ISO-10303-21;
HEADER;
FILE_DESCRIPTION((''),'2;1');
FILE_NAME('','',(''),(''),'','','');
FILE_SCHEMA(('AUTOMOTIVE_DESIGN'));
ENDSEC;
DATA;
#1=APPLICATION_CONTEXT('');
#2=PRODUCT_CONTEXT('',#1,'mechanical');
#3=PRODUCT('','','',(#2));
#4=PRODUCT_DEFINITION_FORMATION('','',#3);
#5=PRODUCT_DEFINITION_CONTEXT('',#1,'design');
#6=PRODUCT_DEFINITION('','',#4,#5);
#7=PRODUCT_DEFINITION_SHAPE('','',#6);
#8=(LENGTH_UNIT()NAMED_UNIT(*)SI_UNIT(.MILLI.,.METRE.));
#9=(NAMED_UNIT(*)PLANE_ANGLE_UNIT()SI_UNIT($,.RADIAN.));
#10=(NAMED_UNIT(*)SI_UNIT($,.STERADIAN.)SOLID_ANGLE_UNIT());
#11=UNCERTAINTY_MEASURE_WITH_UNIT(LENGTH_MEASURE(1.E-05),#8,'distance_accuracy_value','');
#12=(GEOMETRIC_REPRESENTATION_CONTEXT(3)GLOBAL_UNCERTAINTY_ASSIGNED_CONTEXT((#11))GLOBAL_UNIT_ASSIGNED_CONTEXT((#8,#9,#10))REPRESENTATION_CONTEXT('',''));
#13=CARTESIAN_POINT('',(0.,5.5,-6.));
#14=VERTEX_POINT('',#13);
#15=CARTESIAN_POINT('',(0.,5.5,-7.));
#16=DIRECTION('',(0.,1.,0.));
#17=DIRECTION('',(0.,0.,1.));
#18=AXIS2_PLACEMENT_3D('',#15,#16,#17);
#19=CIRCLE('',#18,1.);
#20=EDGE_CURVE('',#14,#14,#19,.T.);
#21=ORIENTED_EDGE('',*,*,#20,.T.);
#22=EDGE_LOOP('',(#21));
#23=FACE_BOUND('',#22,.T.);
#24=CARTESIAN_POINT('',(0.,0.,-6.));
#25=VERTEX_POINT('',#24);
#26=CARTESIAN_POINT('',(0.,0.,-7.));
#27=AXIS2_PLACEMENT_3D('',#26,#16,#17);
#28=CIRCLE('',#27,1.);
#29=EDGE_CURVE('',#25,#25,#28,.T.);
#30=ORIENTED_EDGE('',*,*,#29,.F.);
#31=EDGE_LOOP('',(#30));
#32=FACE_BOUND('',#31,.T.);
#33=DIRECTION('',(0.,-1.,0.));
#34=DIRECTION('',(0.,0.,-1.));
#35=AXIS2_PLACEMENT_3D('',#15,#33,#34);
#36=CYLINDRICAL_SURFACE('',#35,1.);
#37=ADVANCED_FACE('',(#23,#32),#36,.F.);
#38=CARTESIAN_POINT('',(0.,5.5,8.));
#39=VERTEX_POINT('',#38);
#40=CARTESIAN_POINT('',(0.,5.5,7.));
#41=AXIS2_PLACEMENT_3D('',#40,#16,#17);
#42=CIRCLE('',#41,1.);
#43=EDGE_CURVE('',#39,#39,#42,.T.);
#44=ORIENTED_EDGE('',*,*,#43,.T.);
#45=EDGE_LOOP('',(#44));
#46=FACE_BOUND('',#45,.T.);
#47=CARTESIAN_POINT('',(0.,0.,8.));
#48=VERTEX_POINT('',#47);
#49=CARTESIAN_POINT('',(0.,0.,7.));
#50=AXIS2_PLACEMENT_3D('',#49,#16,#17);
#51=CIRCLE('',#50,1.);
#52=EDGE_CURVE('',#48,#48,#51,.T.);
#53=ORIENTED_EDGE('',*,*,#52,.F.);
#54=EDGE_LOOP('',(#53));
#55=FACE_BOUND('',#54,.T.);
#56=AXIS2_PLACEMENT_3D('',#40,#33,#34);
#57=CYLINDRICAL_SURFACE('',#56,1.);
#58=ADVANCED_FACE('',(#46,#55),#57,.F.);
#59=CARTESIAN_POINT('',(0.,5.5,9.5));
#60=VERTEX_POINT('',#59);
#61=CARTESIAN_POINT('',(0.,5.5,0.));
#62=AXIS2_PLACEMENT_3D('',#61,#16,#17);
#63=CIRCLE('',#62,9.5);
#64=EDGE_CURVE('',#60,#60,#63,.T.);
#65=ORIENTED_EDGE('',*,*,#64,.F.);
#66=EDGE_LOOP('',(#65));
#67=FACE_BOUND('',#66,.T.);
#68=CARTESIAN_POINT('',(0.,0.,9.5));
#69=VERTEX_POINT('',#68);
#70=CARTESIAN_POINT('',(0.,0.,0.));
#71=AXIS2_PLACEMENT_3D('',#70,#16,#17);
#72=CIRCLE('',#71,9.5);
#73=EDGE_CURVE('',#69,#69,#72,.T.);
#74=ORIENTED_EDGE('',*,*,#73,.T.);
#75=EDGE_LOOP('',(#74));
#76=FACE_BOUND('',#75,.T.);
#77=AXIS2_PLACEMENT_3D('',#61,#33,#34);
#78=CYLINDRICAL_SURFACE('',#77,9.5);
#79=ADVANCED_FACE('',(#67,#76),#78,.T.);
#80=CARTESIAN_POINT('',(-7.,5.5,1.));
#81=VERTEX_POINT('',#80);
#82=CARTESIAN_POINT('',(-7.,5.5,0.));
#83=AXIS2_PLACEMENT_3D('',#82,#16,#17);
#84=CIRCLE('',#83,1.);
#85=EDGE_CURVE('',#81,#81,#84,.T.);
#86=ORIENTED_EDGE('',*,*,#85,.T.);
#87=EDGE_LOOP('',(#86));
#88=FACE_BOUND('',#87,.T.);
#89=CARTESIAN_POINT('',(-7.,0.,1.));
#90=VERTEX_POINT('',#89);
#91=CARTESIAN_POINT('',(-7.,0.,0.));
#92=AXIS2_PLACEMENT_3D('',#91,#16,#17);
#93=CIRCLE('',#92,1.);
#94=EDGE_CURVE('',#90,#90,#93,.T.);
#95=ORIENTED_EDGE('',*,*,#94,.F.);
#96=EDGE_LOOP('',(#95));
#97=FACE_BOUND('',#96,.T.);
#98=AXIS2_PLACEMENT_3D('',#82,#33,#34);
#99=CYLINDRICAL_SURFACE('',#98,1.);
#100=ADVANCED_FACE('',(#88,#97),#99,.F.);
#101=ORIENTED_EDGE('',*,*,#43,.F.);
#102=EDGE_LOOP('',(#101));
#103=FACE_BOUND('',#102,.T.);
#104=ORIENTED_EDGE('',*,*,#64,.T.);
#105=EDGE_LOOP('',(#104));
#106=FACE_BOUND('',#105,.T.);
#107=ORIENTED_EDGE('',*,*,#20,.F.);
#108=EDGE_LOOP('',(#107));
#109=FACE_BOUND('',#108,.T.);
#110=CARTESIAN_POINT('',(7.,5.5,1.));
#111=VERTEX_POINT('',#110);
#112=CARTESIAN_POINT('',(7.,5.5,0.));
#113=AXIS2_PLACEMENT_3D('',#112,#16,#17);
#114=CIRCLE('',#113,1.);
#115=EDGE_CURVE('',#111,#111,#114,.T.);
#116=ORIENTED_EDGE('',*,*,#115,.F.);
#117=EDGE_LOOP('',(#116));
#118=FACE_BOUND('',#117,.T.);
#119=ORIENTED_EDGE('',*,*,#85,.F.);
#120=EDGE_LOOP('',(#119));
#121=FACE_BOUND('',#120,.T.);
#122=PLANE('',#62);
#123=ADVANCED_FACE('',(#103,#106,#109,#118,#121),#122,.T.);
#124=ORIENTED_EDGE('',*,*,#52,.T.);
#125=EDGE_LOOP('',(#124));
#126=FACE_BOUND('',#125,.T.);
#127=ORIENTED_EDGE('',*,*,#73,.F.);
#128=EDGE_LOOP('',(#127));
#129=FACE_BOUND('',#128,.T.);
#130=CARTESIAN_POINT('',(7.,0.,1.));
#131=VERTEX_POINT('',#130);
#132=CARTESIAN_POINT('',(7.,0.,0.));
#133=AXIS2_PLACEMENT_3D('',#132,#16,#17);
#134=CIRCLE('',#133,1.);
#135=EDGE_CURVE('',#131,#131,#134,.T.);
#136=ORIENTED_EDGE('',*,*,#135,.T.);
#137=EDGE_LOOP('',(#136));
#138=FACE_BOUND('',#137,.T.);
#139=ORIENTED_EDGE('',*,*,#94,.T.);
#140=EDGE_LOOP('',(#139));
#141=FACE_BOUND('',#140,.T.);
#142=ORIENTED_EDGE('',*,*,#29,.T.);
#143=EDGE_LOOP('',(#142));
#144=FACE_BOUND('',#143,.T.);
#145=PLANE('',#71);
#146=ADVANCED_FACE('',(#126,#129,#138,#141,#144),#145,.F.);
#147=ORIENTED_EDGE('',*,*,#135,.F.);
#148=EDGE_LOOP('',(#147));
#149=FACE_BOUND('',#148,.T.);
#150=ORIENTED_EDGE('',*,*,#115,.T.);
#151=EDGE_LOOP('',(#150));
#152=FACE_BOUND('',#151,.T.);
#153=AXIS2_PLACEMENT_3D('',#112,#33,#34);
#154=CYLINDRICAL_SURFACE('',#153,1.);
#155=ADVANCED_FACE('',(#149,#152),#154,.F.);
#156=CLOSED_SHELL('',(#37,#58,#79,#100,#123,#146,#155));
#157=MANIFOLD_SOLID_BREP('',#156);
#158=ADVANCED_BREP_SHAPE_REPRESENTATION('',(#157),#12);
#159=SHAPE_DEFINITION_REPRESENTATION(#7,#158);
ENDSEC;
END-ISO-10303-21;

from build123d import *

# Parameters (mm, degrees)
SKETCH_1_R      = 9.5
SKETCH_1_R_2    = 1
EXTRUDE_1_DEPTH = 5.5


with BuildPart() as part:
    # Эскиз1 → Бобышка-Вытянуть1 (new body)
    with BuildSketch(Plane(origin=(0, 0, 0), x_dir=(1, 0, 0), z_dir=(0, 1, 0))):
        with Locations(Location((0, 0, 0), (0, 0, 270))):
            Circle(SKETCH_1_R)
        with Locations(Location((0, 7, 0), (0, 0, 270))):
            Circle(SKETCH_1_R_2, mode=Mode.SUBTRACT)
        with Locations(Location((7, 0, 0), (0, 0, 270))):
            Circle(SKETCH_1_R_2, mode=Mode.SUBTRACT)
        with Locations(Location((0, -7, 0), (0, 0, 270))):
            Circle(SKETCH_1_R_2, mode=Mode.SUBTRACT)
        with Locations(Location((-7, 0, 0), (0, 0, 270))):
            Circle(SKETCH_1_R_2, mode=Mode.SUBTRACT)
    extrude(amount=EXTRUDE_1_DEPTH)


solid = part.part
